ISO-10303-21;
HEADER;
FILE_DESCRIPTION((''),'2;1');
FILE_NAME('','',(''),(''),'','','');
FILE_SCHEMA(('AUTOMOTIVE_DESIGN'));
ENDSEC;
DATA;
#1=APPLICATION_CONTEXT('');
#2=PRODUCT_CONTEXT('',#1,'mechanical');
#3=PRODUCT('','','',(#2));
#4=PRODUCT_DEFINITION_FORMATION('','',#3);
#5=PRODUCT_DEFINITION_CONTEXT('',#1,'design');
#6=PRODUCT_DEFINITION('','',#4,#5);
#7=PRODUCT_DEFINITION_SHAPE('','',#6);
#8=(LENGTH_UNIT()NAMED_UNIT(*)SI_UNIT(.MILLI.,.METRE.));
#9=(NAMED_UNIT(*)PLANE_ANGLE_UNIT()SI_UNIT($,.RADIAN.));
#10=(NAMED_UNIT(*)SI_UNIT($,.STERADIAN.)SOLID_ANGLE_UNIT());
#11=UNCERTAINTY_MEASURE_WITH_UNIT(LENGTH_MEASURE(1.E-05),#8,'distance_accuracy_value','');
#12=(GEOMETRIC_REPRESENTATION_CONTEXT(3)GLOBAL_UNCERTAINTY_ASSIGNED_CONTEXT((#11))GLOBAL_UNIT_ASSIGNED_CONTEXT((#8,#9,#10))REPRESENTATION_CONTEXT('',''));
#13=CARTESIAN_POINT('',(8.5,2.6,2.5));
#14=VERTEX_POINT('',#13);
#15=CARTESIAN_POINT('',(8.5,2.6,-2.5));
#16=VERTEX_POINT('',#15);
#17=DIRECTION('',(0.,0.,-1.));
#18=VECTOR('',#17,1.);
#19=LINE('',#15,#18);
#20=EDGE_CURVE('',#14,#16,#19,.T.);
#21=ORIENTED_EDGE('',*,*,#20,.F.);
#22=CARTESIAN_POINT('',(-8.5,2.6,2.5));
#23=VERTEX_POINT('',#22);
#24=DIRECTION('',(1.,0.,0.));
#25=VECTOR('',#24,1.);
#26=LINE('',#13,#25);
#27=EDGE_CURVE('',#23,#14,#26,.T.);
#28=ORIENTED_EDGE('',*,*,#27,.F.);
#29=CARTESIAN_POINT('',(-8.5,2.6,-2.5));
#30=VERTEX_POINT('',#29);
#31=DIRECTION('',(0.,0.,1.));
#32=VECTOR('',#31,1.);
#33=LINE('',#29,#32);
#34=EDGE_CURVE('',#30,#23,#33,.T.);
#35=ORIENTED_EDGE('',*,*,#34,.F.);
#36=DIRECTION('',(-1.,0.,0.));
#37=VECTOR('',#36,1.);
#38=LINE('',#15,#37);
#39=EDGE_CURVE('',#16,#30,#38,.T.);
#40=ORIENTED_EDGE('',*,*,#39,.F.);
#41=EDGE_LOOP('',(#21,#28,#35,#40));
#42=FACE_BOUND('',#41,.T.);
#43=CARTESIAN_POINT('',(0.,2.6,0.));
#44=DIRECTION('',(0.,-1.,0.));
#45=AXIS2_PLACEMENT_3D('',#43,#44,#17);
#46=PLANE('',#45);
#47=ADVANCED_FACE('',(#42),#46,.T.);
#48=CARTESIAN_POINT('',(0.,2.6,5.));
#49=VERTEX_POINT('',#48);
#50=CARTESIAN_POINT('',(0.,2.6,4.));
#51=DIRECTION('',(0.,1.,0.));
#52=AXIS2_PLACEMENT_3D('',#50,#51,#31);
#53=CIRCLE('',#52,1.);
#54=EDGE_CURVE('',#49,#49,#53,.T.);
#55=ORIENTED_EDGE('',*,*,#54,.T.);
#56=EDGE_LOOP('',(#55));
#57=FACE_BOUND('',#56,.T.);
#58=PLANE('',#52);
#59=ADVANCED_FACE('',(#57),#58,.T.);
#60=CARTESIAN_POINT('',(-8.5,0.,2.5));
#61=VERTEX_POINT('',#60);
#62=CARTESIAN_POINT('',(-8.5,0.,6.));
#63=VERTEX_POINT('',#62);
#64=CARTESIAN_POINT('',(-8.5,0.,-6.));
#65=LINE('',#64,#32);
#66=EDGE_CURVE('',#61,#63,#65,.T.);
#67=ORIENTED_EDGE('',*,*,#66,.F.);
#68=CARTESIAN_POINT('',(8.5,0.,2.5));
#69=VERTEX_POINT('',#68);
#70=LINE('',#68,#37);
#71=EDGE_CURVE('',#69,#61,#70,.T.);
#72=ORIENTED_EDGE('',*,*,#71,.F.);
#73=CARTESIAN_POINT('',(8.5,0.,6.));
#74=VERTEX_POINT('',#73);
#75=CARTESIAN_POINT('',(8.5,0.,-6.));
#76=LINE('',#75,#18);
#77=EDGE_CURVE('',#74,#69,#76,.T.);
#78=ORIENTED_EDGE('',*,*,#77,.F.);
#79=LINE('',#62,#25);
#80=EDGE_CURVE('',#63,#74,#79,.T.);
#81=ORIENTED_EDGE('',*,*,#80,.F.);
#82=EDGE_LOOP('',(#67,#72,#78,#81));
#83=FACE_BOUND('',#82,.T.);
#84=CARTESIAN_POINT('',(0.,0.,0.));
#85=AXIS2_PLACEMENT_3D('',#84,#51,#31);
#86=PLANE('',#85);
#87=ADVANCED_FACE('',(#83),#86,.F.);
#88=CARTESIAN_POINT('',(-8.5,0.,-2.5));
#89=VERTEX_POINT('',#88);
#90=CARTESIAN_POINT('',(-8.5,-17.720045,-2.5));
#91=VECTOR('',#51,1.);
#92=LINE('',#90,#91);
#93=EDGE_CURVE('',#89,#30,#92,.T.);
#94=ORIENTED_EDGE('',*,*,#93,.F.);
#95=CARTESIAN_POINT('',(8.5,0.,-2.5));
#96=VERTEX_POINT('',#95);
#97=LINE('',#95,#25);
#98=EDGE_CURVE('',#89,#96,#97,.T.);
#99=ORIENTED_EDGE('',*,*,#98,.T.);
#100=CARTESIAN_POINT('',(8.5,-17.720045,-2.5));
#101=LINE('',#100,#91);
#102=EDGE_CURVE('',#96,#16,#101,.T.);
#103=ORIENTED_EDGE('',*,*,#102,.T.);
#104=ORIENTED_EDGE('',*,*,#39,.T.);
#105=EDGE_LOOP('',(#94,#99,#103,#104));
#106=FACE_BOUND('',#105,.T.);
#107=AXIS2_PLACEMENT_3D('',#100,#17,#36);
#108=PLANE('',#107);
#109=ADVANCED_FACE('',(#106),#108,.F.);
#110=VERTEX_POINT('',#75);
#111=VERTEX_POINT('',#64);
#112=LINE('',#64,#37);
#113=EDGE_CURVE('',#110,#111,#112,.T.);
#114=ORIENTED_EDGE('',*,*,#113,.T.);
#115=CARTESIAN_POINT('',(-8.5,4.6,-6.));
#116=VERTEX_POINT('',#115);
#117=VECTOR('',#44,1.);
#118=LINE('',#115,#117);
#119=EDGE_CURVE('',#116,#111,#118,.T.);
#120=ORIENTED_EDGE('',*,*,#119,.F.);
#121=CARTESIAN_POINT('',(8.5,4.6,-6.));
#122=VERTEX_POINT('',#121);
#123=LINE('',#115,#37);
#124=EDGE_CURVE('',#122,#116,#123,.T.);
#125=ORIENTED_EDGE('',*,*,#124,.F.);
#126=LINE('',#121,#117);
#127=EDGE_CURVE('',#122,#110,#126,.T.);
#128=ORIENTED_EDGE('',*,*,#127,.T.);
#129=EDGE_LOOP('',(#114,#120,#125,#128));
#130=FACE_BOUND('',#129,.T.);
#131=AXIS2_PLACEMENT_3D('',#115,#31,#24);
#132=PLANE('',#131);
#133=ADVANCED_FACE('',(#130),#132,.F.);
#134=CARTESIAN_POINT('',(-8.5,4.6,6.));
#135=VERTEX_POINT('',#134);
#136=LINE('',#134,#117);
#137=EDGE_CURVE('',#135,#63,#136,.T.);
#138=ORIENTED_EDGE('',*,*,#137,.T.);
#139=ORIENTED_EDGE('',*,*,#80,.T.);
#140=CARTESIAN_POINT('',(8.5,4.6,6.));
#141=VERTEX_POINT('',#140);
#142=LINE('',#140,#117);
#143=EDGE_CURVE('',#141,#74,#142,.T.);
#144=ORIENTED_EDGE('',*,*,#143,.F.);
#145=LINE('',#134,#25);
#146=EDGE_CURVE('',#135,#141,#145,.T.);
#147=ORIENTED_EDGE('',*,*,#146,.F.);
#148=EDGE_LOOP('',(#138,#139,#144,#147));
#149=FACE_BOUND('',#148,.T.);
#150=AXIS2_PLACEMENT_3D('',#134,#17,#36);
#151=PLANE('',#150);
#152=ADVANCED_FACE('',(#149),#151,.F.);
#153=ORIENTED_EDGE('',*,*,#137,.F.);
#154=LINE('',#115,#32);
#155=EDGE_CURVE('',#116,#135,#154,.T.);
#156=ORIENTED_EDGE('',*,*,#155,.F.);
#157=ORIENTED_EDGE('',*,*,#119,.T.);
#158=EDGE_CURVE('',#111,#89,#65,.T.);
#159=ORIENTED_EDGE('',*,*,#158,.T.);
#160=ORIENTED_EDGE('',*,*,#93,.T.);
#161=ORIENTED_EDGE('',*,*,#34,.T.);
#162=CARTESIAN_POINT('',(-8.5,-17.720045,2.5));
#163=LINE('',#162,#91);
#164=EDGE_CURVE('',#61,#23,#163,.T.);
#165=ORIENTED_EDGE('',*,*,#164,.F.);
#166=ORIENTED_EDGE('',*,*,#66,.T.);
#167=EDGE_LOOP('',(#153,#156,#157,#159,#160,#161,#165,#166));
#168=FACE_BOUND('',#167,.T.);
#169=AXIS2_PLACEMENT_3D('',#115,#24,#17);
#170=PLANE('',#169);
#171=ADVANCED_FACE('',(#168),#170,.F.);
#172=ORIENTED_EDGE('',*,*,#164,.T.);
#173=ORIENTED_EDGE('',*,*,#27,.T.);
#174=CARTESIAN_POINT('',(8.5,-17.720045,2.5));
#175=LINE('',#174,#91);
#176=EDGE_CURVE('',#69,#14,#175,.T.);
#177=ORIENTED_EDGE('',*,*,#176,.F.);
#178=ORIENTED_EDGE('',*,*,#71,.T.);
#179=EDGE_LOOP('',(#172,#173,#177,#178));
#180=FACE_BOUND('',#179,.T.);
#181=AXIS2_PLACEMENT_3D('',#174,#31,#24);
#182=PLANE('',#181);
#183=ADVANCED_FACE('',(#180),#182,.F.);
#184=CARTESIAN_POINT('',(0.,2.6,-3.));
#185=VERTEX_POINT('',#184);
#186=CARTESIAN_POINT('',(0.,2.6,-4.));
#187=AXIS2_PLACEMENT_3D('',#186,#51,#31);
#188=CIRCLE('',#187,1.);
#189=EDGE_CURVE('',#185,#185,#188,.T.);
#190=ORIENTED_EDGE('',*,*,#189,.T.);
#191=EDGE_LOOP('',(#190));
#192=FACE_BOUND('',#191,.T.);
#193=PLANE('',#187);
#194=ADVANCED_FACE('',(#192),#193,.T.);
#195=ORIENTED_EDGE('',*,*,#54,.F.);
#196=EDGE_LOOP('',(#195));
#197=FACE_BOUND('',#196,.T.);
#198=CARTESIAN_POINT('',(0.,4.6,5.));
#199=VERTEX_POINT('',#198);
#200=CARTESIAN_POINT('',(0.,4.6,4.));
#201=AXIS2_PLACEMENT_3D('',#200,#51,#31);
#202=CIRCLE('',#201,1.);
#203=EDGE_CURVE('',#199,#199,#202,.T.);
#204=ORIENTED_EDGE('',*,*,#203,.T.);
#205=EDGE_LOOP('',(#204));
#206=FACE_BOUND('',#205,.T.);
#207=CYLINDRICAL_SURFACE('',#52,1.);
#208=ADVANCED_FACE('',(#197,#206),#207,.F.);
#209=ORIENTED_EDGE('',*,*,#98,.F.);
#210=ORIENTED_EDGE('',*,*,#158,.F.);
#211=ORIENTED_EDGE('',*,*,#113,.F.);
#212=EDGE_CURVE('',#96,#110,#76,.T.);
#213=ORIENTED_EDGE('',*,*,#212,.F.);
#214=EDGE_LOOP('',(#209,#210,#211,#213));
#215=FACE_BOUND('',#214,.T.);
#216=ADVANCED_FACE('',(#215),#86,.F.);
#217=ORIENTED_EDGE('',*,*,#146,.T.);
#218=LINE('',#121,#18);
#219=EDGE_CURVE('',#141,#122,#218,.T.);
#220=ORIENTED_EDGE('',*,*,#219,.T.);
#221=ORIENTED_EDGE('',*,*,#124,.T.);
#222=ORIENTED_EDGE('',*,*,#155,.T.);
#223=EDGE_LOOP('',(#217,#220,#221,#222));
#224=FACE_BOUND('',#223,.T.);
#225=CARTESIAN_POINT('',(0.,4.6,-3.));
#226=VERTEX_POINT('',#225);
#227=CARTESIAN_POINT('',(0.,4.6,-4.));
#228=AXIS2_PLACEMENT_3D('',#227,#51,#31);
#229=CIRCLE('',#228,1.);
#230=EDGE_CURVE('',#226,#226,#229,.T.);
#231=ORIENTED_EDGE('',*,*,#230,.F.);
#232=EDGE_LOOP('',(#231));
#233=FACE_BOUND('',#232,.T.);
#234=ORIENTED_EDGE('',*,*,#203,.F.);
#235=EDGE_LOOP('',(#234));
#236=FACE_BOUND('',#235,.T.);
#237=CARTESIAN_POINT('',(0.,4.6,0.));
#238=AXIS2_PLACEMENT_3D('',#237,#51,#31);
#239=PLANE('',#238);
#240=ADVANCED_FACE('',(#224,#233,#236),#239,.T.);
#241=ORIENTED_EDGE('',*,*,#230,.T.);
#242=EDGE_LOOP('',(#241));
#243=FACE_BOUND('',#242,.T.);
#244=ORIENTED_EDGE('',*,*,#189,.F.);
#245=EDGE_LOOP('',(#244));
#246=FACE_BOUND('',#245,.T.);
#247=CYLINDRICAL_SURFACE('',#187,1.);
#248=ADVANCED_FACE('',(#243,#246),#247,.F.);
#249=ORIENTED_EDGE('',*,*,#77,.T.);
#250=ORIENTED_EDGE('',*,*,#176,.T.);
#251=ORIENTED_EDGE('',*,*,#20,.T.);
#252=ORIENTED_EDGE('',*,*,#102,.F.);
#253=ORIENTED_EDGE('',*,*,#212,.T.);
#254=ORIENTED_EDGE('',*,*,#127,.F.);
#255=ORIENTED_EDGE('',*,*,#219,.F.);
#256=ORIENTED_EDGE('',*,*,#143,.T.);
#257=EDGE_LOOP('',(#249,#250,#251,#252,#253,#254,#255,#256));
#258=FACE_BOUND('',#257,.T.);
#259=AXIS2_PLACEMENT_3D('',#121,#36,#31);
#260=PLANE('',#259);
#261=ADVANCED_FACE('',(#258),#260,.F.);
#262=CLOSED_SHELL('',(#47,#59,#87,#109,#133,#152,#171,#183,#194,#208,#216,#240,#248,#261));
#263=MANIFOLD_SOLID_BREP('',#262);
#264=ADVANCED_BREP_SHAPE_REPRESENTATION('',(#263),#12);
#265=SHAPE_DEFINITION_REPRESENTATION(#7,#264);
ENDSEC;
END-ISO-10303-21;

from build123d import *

# Parameters (mm, degrees)
SKETCH_1_W          = 17
SKETCH_1_H          = 12
EXTRUDE_1_DEPTH     = 4.6
SKETCH_3_W          = 17
SKETCH_3_H          = 5
CUT_EXTRUDE_1_DEPTH = 2.6
SKETCH_4_R          = 1
CUT_EXTRUDE_2_DEPTH = 2


with BuildPart() as part:
    # 스케치1 → 보스-돌출1 (new body)
    with BuildSketch(Plane(origin=(0, 0, 0), x_dir=(1, 0, 0), z_dir=(0, 1, 0))):
        Rectangle(SKETCH_1_W, SKETCH_1_H)
    extrude(amount=EXTRUDE_1_DEPTH)

    # 스케치3 → 컷-돌출1 (cut)
    with BuildSketch(Plane(origin=(0, 2.6, 0), x_dir=(1, 0, 0), z_dir=(0, 1, 0))):
        Rectangle(SKETCH_3_W, SKETCH_3_H)
    extrude(amount=-CUT_EXTRUDE_1_DEPTH, mode=Mode.SUBTRACT)

    # 스케치4 → 컷-돌출2 (cut)
    with BuildSketch(Plane(origin=(0, 4.6, 0), x_dir=(1, 0, 0), z_dir=(0, 1, 0))):
        with Locations((0, 4)):
            Circle(SKETCH_4_R)
        with Locations((0, -4)):
            Circle(SKETCH_4_R)
    extrude(amount=-CUT_EXTRUDE_2_DEPTH, mode=Mode.SUBTRACT)


solid = part.part
